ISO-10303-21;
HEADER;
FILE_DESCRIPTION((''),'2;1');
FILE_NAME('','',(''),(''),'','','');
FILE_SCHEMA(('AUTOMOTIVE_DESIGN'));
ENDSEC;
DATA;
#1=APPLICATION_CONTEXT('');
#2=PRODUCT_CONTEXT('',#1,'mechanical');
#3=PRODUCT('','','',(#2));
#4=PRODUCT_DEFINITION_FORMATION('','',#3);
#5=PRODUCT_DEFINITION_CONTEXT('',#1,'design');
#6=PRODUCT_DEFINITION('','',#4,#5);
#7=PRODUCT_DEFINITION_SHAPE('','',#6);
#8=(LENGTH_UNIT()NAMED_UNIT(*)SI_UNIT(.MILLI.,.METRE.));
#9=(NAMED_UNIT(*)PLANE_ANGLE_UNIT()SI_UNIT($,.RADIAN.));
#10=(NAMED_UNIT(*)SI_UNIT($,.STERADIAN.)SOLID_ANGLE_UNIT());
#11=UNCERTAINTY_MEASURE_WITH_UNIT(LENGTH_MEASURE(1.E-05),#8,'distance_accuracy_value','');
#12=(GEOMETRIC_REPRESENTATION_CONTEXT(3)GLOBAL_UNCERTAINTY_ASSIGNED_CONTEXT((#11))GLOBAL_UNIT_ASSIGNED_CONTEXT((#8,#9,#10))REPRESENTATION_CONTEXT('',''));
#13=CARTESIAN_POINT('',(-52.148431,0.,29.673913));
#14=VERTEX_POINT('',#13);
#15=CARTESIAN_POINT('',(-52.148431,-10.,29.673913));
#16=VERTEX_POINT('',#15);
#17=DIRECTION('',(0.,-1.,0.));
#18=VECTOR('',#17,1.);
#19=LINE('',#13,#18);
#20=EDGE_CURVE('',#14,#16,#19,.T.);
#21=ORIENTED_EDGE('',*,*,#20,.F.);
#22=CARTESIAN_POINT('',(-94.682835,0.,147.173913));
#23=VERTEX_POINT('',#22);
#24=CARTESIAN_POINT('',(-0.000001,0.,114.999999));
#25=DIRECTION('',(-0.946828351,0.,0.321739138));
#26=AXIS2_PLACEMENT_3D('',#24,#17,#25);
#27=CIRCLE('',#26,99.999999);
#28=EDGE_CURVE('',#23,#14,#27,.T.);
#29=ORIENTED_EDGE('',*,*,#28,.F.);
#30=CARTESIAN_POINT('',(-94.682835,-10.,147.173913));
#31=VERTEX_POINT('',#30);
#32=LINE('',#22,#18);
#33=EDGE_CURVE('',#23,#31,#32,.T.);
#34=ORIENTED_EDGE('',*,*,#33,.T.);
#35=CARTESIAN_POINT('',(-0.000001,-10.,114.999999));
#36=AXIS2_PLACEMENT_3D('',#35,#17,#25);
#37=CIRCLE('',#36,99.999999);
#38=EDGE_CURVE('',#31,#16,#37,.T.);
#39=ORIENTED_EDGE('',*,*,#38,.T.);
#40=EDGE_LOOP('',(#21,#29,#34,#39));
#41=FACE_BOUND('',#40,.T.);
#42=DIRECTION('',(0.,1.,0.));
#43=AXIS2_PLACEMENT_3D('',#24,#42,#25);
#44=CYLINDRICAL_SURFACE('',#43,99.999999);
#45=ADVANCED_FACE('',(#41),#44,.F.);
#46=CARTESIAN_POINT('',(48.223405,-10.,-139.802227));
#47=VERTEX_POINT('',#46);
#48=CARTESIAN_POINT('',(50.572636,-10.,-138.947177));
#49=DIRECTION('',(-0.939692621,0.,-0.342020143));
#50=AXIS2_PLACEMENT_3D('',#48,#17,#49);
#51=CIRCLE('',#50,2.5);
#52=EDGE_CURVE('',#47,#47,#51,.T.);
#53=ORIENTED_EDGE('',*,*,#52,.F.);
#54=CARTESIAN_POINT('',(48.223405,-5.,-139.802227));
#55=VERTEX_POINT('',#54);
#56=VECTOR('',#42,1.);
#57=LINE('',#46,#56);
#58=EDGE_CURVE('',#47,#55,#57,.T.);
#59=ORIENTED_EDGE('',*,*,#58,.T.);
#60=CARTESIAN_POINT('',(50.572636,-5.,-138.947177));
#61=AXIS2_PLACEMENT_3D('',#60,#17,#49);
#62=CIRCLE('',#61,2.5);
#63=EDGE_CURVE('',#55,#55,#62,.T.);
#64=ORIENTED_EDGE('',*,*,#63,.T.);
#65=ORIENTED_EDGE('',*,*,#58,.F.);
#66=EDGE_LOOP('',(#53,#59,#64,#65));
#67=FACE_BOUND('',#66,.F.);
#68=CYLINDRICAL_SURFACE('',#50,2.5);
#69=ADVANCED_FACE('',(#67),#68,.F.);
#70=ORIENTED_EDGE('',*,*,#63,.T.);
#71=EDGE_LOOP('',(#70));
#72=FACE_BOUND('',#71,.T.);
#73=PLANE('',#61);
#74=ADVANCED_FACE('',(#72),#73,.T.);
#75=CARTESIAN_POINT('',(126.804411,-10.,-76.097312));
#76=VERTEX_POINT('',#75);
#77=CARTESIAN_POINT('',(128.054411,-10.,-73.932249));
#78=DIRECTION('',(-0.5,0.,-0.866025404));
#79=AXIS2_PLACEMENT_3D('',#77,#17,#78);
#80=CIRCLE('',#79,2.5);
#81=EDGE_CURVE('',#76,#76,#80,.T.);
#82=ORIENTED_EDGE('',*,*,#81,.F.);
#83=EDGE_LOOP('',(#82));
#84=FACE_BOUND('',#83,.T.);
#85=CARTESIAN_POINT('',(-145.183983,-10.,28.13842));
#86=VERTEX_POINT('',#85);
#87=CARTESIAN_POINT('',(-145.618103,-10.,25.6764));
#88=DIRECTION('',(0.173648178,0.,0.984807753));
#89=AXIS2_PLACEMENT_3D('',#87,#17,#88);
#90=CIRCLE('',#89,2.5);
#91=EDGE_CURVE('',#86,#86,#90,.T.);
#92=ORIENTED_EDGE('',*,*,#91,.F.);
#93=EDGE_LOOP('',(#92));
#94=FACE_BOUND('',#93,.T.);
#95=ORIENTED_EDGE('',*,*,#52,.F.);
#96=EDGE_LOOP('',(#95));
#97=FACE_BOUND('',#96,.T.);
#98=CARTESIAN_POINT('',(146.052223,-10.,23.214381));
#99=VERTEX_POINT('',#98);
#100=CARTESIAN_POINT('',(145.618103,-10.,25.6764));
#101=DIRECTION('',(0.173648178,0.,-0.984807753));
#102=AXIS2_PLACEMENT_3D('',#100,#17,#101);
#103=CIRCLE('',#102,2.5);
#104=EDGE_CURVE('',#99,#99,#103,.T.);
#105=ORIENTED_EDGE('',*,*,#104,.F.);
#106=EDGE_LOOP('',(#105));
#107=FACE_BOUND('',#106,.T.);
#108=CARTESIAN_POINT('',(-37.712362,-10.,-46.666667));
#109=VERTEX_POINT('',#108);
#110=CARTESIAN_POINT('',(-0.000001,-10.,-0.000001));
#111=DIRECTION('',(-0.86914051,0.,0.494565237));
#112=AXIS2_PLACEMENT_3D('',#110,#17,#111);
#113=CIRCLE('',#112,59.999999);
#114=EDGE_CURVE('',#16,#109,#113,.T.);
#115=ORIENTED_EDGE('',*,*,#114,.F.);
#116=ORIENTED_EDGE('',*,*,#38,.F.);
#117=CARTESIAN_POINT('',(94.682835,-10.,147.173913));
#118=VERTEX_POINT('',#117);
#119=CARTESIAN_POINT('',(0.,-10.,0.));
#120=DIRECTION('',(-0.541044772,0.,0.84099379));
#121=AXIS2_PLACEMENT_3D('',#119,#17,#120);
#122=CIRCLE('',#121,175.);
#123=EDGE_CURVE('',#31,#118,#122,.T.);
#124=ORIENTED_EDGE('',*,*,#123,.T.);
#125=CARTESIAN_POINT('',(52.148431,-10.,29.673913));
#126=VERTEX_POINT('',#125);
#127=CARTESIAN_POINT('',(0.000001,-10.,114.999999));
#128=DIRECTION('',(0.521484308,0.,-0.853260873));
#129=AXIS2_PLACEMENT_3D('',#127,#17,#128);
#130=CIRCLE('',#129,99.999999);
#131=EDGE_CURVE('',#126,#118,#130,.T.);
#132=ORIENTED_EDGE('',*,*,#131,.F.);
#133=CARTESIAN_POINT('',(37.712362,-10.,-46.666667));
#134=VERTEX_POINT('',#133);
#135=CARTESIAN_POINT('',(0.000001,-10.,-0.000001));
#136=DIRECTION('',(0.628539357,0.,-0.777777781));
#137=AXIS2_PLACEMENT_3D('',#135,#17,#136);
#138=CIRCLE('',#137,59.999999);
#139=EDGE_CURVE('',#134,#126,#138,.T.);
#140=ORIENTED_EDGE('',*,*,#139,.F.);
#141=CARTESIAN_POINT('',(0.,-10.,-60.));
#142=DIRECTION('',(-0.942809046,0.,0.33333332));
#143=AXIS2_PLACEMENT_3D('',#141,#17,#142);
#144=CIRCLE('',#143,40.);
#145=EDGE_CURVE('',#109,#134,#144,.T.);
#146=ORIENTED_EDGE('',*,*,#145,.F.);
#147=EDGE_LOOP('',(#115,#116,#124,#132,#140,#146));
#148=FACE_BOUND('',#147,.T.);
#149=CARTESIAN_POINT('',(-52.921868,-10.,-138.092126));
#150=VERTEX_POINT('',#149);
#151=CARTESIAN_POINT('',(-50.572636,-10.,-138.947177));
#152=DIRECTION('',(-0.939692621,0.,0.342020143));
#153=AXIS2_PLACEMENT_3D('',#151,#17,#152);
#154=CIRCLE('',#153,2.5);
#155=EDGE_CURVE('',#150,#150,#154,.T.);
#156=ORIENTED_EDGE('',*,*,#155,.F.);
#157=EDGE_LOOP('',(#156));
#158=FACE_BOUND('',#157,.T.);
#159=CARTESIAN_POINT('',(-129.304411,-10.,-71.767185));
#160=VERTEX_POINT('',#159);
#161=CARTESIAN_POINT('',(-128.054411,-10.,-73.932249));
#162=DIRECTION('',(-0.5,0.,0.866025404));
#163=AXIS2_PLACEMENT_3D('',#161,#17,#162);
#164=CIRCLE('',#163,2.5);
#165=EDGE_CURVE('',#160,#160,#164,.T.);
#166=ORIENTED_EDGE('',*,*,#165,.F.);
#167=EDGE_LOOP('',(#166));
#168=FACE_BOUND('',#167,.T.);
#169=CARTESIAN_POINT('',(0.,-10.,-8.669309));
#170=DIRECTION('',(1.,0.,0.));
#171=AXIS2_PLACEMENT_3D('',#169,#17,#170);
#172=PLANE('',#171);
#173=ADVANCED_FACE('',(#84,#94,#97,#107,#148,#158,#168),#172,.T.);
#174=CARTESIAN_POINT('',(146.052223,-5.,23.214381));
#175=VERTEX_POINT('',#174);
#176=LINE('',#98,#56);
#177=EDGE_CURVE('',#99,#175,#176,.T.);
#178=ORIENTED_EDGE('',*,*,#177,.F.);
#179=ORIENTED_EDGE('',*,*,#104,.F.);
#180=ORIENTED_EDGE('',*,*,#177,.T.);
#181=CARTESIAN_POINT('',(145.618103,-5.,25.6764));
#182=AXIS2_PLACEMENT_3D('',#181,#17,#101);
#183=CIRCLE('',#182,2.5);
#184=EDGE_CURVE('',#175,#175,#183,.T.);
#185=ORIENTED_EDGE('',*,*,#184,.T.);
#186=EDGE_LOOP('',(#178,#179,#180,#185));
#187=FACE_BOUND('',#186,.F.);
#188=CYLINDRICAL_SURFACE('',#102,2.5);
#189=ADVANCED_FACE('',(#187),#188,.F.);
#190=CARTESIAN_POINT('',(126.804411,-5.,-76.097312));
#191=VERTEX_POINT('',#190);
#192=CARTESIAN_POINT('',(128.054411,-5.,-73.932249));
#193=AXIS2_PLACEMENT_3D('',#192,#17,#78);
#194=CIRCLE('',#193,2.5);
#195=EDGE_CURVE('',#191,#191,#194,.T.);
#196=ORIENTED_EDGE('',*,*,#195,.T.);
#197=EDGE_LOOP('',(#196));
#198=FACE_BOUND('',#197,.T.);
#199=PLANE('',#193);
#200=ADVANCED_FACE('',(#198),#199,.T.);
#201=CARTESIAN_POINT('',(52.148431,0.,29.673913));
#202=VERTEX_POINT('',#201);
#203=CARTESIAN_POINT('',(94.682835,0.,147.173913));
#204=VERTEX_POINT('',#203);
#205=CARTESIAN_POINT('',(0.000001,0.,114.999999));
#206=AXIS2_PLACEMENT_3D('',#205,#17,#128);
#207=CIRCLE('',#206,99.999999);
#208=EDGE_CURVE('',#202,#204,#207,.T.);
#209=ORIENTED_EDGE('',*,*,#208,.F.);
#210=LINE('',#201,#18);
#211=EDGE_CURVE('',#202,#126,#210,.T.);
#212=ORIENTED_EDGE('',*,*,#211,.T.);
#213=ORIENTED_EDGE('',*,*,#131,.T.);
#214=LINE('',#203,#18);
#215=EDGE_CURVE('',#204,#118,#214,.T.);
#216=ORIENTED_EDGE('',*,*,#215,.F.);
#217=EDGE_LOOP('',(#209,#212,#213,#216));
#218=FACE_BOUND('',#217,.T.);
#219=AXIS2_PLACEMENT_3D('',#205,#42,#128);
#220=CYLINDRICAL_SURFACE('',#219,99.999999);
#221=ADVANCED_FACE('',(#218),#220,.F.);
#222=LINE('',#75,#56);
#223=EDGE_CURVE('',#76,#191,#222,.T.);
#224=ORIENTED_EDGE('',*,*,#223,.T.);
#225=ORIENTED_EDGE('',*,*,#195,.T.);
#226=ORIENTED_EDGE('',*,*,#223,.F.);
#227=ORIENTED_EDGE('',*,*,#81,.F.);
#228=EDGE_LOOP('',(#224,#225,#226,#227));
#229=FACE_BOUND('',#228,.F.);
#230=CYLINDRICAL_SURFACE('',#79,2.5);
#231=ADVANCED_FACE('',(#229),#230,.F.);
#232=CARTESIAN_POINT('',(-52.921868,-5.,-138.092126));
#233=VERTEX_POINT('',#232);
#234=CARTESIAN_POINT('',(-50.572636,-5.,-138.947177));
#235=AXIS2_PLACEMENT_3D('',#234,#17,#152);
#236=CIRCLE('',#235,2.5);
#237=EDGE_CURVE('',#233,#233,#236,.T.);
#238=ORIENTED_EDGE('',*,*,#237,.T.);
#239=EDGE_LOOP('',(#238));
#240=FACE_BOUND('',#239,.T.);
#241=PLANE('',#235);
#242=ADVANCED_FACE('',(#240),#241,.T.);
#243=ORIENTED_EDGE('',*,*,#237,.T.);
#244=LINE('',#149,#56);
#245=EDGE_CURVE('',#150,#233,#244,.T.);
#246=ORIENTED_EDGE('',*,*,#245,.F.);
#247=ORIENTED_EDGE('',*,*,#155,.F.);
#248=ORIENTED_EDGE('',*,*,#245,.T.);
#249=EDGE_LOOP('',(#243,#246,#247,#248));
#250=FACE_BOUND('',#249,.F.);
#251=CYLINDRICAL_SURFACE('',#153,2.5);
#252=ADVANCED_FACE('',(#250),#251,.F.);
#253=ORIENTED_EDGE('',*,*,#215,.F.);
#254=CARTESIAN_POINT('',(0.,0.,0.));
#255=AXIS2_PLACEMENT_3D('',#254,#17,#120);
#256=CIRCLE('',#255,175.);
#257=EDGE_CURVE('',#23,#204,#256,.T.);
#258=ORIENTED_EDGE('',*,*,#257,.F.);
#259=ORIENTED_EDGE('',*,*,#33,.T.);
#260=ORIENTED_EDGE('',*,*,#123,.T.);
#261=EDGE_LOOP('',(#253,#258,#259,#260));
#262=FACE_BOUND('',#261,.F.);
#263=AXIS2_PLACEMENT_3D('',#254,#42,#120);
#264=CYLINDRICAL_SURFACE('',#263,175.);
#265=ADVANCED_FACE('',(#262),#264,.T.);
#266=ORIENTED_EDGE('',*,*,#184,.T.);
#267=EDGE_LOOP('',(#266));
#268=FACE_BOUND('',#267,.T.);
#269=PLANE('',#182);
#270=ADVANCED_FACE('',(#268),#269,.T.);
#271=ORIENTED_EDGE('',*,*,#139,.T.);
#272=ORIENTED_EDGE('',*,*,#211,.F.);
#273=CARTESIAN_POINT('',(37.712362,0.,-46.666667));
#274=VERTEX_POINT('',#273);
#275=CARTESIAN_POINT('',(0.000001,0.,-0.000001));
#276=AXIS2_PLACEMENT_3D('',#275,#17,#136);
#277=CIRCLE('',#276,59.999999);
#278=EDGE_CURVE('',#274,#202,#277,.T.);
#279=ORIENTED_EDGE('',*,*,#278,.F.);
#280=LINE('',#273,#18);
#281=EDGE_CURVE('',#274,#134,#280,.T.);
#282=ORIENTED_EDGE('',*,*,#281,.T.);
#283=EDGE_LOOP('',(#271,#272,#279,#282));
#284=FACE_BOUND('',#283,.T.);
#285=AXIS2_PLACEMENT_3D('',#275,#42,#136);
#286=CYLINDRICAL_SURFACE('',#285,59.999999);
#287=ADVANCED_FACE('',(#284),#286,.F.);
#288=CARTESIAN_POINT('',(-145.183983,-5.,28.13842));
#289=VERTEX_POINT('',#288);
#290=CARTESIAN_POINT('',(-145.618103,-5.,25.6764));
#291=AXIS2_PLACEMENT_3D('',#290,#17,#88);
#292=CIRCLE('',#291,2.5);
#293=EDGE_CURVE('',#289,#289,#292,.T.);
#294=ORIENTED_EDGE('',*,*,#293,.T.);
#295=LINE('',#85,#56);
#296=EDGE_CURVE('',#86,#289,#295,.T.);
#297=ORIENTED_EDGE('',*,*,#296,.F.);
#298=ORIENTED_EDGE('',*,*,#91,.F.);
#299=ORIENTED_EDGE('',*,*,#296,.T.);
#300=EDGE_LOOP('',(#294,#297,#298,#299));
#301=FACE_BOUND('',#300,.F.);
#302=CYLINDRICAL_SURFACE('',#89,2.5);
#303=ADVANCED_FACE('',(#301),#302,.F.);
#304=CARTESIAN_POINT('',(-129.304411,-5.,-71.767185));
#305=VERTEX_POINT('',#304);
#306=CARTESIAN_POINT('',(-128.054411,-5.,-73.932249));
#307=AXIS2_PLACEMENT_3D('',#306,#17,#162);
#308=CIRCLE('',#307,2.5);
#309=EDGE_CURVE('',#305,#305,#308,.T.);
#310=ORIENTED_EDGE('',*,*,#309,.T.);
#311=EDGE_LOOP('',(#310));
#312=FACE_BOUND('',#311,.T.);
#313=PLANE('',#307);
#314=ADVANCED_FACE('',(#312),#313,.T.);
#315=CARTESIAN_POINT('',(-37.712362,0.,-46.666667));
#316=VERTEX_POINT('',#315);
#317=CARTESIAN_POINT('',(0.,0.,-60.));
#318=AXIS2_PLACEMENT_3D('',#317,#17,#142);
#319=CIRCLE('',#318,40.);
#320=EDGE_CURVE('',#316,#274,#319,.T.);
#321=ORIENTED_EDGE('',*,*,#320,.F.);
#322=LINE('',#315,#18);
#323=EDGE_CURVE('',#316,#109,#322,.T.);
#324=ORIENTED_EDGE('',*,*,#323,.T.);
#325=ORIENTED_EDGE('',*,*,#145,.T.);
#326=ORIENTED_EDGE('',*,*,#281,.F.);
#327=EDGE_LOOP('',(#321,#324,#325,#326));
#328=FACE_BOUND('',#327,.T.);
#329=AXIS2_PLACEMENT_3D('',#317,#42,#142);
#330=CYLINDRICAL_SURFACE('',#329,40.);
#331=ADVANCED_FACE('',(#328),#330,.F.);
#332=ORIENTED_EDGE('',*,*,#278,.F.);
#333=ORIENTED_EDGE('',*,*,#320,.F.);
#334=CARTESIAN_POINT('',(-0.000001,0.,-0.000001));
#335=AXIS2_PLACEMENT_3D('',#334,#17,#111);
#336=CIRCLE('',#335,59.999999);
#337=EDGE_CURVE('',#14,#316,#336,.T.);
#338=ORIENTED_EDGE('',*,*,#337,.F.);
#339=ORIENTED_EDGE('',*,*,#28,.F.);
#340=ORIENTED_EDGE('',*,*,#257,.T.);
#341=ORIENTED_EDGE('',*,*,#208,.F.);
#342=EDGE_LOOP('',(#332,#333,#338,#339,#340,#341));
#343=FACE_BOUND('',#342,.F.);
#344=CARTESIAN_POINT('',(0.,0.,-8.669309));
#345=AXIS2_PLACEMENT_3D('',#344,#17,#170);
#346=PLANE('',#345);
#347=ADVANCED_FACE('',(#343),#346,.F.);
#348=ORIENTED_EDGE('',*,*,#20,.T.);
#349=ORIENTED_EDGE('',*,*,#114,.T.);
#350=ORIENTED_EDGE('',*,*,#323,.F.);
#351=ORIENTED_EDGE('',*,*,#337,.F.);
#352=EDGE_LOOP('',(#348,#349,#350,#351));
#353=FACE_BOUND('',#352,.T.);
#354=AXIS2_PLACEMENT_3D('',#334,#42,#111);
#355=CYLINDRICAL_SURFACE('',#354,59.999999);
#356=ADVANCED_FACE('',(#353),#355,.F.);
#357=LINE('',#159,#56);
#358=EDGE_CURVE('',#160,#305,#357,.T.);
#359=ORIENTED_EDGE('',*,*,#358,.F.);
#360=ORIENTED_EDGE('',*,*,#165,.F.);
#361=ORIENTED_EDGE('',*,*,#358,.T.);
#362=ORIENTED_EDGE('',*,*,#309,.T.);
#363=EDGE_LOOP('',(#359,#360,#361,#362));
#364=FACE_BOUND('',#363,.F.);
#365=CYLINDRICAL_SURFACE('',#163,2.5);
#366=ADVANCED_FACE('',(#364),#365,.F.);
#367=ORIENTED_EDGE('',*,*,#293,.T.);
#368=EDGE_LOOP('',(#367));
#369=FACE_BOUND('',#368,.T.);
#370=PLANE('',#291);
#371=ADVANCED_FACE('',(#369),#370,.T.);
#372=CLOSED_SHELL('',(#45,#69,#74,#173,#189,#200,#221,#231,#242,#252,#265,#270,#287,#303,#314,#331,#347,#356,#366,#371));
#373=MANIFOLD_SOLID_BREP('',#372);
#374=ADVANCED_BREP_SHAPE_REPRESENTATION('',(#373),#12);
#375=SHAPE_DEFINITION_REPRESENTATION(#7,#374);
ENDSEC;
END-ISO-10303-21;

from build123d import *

# Parameters (mm, degrees)
PAD_DEPTH          = 10
SKETCH001_R        = 2.5
POCKET_DEPTH       = 5
POLARPATTERN_COUNT = 9


with BuildPart() as part:
    # Sketch → Pad (new body)
    with BuildSketch(Plane.XZ):
        with BuildLine():
            ThreePointArc((-94.682835, 147.173913), (0, -175), (94.682835, 147.173913))
            ThreePointArc((52.148431, 29.673913), (94.028813, 80.962046), (94.682835, 147.173913))
            ThreePointArc((37.712362, -46.666667), (58.955166, -11.148473), (52.148431, 29.673913))
            ThreePointArc((-37.712362, -46.666667), (0, -100), (37.712362, -46.666667))
            ThreePointArc((-52.148431, 29.673913), (-58.955166, -11.148473), (-37.712362, -46.666667))
            ThreePointArc((-94.682835, 147.173913), (-94.028813, 80.962046), (-52.148431, 29.673913))
        make_face()
    extrude(amount=PAD_DEPTH)

    # Sketch001 (on Face8 of Pad) → Pocket (cut)
    with BuildSketch(Plane.XZ.offset(10)):
        with Locations((0, 147.864497)):
            Circle(SKETCH001_R)
    pocket = extrude(amount=-POCKET_DEPTH, mode=Mode.SUBTRACT)

    # PolarPattern: Pocket ×9 about axis
    polarpattern_axis = Axis((0, -10, 0), (0, -1, 0))
    for i in range(1, POLARPATTERN_COUNT):
        add(pocket.rotate(polarpattern_axis, i * 360 / POLARPATTERN_COUNT), mode=Mode.SUBTRACT)


solid = part.part
